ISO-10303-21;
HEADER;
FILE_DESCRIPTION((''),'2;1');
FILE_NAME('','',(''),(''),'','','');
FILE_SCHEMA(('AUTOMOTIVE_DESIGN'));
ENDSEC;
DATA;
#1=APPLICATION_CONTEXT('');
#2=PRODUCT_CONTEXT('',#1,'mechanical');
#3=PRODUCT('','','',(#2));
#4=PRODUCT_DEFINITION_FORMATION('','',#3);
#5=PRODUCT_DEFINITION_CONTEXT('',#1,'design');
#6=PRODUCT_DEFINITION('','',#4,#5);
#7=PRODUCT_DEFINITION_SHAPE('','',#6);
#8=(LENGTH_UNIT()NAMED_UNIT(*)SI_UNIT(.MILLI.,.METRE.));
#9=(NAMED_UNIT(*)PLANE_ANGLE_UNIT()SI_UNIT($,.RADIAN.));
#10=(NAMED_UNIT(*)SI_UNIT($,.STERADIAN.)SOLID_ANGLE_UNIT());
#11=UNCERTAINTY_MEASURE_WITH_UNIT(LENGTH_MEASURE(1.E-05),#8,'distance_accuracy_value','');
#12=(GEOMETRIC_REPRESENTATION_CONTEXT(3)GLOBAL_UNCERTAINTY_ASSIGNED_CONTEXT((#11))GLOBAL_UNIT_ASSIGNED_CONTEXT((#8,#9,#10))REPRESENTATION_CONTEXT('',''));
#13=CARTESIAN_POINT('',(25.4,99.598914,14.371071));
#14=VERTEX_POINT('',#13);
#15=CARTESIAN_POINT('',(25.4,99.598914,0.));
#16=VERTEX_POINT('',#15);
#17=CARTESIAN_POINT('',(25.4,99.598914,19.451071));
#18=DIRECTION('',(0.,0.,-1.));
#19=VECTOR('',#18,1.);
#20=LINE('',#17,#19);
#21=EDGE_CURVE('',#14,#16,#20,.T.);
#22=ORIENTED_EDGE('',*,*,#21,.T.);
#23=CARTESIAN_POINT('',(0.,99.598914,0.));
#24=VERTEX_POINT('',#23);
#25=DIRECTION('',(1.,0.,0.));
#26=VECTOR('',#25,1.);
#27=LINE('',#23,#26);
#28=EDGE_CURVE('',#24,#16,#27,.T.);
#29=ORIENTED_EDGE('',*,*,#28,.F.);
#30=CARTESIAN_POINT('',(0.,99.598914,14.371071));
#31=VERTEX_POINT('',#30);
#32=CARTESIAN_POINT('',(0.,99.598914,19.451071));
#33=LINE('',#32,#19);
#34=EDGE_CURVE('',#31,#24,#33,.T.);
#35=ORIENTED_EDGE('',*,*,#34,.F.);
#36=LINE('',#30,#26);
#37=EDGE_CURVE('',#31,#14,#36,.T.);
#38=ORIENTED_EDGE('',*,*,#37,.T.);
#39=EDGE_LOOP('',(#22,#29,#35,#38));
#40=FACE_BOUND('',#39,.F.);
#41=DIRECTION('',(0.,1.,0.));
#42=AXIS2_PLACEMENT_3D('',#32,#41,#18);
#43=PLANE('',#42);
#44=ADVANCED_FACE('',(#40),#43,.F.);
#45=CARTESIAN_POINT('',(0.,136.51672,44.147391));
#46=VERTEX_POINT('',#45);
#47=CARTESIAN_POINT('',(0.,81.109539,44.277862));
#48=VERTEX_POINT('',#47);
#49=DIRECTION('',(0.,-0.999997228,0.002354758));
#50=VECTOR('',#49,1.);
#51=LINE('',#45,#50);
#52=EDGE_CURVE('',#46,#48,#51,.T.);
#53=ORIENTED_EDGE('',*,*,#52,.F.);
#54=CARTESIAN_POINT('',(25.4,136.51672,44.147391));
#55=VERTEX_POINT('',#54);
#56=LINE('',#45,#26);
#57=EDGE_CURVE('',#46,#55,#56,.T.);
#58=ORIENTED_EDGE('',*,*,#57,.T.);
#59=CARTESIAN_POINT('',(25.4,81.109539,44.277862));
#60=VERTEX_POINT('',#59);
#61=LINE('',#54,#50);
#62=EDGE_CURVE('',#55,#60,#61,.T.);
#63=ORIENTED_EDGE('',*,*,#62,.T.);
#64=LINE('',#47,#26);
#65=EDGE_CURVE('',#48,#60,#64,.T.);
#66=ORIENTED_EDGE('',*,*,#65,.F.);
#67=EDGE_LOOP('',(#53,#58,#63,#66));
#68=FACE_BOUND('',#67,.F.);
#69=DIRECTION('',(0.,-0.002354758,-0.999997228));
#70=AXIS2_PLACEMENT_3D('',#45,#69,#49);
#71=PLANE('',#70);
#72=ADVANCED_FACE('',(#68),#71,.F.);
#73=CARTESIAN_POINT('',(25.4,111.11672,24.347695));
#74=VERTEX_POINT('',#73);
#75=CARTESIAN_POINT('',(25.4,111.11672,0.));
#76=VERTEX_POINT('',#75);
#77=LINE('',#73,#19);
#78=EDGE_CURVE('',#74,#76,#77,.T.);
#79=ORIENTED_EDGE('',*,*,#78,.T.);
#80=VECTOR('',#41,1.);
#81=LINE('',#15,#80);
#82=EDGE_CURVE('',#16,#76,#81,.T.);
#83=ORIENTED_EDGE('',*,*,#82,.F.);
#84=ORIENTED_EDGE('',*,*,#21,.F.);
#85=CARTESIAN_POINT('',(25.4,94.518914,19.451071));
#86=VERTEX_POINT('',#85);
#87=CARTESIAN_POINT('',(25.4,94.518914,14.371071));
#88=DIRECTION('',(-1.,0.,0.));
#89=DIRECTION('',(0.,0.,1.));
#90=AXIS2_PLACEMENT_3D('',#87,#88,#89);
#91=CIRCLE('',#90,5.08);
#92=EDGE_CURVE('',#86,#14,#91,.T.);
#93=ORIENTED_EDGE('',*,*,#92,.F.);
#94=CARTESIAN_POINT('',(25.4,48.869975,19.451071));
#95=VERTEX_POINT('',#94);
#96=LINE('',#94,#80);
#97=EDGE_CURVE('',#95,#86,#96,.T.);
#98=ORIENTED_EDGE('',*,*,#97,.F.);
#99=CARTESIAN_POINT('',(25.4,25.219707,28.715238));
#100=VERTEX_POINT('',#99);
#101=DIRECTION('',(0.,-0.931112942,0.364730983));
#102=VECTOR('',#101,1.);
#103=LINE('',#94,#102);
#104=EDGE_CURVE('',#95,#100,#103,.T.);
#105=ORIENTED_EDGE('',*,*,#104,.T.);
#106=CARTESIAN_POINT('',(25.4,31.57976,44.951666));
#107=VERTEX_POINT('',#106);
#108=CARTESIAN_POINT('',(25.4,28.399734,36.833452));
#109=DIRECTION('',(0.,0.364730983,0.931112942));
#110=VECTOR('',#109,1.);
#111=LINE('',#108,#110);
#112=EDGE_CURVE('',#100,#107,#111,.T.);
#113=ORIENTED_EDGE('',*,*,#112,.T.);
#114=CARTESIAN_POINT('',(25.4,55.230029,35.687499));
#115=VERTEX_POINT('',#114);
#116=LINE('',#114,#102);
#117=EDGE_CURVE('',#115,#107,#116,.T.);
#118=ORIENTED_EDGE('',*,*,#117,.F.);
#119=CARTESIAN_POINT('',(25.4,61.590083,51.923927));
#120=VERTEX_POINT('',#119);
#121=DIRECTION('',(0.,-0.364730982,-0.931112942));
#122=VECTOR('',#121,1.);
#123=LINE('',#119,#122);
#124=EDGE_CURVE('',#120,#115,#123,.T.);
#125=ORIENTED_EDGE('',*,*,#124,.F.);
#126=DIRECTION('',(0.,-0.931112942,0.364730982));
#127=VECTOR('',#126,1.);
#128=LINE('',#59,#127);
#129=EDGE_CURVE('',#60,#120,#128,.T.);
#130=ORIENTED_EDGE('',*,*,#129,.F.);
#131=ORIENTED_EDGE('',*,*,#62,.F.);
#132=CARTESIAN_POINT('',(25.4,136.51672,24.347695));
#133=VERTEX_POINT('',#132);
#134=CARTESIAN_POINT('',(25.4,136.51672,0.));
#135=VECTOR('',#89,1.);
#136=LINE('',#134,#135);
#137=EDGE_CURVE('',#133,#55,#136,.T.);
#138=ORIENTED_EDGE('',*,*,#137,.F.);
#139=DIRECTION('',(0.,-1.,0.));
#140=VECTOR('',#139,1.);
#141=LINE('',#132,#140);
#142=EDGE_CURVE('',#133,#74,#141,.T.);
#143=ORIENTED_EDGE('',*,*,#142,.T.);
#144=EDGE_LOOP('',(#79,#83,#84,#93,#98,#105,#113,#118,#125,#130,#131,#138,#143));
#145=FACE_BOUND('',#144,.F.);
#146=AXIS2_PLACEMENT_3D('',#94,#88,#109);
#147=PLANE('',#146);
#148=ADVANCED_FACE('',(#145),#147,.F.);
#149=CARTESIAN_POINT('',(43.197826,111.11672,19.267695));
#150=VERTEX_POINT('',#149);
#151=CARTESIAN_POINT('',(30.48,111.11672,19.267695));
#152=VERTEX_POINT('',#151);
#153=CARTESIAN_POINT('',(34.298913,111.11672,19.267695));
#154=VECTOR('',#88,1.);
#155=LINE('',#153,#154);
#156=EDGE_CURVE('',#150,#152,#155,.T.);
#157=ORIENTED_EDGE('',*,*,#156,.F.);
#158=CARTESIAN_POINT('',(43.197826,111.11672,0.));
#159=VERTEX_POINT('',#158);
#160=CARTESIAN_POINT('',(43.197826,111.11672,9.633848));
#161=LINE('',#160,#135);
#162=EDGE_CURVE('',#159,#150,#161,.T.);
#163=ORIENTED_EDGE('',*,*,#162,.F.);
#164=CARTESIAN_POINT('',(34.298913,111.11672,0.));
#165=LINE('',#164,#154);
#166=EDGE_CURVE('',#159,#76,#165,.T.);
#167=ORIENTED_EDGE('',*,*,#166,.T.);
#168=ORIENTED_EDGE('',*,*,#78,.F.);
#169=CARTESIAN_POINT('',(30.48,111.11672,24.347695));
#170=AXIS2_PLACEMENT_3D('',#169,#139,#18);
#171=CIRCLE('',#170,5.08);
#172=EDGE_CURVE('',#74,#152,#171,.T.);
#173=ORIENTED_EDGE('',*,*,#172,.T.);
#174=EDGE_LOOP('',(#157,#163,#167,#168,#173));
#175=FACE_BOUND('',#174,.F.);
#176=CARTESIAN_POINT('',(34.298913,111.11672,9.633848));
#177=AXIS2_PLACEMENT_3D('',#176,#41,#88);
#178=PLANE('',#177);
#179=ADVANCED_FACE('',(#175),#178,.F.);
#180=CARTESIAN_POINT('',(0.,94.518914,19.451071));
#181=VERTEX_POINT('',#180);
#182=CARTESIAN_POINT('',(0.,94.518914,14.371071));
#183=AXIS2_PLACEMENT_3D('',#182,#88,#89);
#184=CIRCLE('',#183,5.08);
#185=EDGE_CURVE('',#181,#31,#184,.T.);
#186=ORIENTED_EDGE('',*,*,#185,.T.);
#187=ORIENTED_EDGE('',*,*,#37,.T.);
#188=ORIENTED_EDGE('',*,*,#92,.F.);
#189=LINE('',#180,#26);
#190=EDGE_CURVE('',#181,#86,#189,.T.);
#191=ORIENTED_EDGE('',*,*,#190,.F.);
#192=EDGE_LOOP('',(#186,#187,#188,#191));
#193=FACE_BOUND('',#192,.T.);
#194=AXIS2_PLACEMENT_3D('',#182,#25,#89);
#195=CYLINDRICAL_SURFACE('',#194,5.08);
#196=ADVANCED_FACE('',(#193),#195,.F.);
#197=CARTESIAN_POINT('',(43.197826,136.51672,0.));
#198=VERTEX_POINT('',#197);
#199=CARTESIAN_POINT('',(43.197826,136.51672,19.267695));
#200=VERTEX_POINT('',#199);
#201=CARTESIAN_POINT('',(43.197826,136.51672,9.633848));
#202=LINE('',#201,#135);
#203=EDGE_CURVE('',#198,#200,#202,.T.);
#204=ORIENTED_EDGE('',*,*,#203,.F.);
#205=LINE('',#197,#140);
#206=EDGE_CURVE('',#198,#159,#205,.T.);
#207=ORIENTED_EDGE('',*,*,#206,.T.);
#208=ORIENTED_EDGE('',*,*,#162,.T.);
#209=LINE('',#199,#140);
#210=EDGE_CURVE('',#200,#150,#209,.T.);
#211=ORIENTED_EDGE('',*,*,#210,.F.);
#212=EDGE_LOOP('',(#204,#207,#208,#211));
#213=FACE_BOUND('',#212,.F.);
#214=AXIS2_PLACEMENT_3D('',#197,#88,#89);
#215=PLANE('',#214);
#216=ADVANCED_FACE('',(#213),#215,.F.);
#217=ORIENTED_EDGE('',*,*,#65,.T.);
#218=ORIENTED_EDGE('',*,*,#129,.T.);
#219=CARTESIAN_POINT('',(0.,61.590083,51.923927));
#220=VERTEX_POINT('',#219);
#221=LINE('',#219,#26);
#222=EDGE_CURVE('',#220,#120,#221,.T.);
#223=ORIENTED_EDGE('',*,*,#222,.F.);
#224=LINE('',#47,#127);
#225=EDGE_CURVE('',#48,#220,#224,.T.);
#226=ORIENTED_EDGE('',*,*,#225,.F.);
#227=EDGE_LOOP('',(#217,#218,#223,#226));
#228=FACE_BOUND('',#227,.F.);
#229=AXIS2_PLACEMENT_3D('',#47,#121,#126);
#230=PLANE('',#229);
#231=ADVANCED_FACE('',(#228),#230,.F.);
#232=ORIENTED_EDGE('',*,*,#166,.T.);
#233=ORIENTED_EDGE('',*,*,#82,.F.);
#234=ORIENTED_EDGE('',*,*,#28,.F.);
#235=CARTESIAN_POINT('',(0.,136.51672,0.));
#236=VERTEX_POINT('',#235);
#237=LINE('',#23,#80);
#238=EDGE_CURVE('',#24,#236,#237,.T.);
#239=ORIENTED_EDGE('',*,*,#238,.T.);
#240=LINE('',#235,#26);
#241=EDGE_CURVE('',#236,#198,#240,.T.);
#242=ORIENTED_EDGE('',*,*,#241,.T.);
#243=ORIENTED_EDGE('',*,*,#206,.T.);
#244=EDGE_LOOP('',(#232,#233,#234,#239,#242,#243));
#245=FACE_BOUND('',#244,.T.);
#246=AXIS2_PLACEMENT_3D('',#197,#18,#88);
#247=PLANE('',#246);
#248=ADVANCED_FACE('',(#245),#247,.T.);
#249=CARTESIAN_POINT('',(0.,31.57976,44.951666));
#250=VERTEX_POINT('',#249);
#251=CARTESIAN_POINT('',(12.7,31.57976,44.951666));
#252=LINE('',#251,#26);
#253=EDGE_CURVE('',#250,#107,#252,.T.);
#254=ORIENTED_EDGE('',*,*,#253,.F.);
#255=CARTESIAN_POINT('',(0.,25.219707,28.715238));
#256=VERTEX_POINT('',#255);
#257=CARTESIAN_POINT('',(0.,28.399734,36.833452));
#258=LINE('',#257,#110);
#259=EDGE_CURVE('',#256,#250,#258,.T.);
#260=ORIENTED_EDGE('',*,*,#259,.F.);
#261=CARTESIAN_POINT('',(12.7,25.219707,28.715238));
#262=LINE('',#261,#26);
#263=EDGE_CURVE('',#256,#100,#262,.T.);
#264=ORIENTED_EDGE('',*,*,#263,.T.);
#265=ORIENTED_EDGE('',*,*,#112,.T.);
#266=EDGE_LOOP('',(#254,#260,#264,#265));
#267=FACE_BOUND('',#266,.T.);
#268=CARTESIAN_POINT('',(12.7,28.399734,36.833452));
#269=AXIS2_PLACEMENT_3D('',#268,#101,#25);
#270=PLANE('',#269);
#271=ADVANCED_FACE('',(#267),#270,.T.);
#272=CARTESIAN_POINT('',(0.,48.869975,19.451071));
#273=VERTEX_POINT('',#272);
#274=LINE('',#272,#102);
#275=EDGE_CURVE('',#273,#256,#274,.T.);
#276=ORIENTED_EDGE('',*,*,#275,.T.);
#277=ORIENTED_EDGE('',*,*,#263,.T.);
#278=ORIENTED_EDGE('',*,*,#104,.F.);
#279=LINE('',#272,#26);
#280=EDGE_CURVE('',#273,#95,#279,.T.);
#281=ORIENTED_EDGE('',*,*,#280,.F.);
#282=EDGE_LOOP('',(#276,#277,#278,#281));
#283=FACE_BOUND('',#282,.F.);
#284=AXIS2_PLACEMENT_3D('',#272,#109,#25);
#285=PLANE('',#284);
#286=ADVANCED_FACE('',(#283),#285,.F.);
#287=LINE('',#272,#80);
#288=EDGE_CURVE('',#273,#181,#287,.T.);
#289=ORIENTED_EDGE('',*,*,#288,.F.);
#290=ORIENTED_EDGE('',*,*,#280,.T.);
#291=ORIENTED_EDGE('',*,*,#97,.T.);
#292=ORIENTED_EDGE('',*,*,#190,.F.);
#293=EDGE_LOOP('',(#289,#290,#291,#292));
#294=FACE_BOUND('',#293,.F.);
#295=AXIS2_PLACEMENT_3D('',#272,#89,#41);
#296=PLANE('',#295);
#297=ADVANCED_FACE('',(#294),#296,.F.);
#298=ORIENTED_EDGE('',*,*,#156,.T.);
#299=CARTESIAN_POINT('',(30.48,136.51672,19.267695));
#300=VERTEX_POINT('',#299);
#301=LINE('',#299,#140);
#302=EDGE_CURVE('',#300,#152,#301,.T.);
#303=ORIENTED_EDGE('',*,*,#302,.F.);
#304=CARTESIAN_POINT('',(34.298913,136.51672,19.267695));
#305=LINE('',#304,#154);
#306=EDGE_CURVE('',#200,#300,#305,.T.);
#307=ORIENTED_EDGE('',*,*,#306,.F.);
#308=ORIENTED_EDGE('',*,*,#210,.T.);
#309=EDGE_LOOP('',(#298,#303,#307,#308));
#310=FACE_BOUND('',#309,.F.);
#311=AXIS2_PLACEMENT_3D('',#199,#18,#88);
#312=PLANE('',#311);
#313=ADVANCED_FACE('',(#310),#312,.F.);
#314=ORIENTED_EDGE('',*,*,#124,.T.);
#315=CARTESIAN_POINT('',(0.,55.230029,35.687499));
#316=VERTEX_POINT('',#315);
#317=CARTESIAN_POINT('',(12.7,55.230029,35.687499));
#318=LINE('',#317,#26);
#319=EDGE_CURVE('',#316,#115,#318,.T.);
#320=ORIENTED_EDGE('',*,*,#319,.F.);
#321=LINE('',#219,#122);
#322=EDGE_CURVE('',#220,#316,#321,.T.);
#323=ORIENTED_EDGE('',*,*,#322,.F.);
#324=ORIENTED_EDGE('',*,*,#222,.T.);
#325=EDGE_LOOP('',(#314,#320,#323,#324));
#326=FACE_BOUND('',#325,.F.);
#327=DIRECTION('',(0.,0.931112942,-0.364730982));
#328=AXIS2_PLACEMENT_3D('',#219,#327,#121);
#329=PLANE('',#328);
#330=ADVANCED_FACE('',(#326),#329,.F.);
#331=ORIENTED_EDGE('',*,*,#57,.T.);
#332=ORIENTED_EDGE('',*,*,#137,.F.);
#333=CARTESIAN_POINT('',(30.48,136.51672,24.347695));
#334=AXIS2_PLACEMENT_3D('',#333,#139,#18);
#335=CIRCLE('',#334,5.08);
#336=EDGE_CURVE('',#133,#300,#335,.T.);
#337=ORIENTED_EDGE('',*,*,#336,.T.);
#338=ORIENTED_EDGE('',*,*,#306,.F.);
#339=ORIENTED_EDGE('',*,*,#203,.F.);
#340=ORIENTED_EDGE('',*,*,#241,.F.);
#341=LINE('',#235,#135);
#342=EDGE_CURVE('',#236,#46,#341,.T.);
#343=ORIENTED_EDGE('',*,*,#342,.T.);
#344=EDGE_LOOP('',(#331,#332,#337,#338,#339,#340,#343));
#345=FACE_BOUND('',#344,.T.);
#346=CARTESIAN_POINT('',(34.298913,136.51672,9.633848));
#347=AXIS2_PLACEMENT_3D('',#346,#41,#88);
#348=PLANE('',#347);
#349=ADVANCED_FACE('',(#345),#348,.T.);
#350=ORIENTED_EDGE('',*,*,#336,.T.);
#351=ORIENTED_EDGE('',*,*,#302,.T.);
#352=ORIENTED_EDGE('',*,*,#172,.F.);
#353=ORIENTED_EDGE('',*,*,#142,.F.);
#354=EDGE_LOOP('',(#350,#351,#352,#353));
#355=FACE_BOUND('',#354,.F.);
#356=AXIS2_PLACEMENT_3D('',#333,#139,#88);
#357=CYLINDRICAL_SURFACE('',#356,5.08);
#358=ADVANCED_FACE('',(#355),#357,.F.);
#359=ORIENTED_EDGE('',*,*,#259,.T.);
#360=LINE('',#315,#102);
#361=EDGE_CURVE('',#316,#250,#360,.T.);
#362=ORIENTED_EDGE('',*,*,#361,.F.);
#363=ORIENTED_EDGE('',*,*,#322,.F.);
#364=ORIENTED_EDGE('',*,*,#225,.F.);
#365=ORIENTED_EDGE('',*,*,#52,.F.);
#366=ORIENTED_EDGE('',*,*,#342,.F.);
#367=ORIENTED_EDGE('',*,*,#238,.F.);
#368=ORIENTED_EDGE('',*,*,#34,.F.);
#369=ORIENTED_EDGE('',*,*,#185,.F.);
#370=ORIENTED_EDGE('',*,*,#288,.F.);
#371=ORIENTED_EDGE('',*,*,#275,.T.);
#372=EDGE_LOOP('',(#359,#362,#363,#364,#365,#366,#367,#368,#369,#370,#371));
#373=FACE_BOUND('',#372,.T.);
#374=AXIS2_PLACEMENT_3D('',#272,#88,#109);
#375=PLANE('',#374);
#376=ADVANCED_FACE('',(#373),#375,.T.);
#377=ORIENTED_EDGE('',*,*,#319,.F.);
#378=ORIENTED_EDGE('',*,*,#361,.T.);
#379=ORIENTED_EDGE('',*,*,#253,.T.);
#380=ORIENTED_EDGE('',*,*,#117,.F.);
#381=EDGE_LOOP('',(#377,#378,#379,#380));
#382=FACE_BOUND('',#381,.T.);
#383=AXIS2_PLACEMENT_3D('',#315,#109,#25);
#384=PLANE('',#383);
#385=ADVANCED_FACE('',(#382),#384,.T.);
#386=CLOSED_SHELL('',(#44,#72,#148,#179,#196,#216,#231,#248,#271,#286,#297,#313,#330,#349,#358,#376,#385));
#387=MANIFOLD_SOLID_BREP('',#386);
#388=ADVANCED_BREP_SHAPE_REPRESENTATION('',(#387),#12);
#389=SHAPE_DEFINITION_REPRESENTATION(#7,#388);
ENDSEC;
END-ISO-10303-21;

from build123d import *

# Parameters (mm, degrees)
F1_DEPTH = 25.4
F2_R     = 5.08
F3_W     = 25.4
F3_H     = 17.4376570841
F4_DEPTH = 25.4
F5_W     = 17.797825551
F5_H     = 19.2676950246
F6_DEPTH = 25.4
F7_R     = 5.08


with BuildPart() as f1:
    # F0 (on Right) → F1 (new body)
    with BuildSketch(Plane.YZ):
        Polygon((136.5167200565, 44.1473908722), (81.1095386744, 44.2778617144), (61.5900829434, 51.9239269197), (48.8699753419, 19.451070548), (99.5989143848, 19.451070548), (99.5989143848, 0), (136.5167200565, 0), align=None)
    extrude(amount=F1_DEPTH)

    # F2
    f2_edges = [f1.edges().sort_by_distance(p)[0] for p in [
        (12.7, 99.598914, 19.451071),
    ]]
    fillet(f2_edges, radius=F2_R)

    # F3 (on face) → F4 (join)
    with BuildSketch(Plane(origin=(0, 35.7631713916, -14.0089736199), x_dir=(1, 0, 0), z_dir=(0, -0.9311129418, 0.3647309825))):
        with Locations((12.7, 44.6543661825)):
            Rectangle(F3_W, F3_H)
    extrude(amount=F4_DEPTH)

    # F5 (on face) → F6 (join)
    with BuildSketch(Plane(origin=(0, 136.5167200565, 0), x_dir=(-1, 0, 0), z_dir=(0, 1, 0))):
        with Locations((-34.2989127755, 9.6338475123)):
            Rectangle(F5_W, F5_H)
    extrude(amount=-F6_DEPTH)

    # F7
    f7_edges = [f1.edges().sort_by_distance(p)[0] for p in [
        (25.4, 123.81672, 19.267695),
    ]]
    fillet(f7_edges, radius=F7_R)


solid = f1.part
